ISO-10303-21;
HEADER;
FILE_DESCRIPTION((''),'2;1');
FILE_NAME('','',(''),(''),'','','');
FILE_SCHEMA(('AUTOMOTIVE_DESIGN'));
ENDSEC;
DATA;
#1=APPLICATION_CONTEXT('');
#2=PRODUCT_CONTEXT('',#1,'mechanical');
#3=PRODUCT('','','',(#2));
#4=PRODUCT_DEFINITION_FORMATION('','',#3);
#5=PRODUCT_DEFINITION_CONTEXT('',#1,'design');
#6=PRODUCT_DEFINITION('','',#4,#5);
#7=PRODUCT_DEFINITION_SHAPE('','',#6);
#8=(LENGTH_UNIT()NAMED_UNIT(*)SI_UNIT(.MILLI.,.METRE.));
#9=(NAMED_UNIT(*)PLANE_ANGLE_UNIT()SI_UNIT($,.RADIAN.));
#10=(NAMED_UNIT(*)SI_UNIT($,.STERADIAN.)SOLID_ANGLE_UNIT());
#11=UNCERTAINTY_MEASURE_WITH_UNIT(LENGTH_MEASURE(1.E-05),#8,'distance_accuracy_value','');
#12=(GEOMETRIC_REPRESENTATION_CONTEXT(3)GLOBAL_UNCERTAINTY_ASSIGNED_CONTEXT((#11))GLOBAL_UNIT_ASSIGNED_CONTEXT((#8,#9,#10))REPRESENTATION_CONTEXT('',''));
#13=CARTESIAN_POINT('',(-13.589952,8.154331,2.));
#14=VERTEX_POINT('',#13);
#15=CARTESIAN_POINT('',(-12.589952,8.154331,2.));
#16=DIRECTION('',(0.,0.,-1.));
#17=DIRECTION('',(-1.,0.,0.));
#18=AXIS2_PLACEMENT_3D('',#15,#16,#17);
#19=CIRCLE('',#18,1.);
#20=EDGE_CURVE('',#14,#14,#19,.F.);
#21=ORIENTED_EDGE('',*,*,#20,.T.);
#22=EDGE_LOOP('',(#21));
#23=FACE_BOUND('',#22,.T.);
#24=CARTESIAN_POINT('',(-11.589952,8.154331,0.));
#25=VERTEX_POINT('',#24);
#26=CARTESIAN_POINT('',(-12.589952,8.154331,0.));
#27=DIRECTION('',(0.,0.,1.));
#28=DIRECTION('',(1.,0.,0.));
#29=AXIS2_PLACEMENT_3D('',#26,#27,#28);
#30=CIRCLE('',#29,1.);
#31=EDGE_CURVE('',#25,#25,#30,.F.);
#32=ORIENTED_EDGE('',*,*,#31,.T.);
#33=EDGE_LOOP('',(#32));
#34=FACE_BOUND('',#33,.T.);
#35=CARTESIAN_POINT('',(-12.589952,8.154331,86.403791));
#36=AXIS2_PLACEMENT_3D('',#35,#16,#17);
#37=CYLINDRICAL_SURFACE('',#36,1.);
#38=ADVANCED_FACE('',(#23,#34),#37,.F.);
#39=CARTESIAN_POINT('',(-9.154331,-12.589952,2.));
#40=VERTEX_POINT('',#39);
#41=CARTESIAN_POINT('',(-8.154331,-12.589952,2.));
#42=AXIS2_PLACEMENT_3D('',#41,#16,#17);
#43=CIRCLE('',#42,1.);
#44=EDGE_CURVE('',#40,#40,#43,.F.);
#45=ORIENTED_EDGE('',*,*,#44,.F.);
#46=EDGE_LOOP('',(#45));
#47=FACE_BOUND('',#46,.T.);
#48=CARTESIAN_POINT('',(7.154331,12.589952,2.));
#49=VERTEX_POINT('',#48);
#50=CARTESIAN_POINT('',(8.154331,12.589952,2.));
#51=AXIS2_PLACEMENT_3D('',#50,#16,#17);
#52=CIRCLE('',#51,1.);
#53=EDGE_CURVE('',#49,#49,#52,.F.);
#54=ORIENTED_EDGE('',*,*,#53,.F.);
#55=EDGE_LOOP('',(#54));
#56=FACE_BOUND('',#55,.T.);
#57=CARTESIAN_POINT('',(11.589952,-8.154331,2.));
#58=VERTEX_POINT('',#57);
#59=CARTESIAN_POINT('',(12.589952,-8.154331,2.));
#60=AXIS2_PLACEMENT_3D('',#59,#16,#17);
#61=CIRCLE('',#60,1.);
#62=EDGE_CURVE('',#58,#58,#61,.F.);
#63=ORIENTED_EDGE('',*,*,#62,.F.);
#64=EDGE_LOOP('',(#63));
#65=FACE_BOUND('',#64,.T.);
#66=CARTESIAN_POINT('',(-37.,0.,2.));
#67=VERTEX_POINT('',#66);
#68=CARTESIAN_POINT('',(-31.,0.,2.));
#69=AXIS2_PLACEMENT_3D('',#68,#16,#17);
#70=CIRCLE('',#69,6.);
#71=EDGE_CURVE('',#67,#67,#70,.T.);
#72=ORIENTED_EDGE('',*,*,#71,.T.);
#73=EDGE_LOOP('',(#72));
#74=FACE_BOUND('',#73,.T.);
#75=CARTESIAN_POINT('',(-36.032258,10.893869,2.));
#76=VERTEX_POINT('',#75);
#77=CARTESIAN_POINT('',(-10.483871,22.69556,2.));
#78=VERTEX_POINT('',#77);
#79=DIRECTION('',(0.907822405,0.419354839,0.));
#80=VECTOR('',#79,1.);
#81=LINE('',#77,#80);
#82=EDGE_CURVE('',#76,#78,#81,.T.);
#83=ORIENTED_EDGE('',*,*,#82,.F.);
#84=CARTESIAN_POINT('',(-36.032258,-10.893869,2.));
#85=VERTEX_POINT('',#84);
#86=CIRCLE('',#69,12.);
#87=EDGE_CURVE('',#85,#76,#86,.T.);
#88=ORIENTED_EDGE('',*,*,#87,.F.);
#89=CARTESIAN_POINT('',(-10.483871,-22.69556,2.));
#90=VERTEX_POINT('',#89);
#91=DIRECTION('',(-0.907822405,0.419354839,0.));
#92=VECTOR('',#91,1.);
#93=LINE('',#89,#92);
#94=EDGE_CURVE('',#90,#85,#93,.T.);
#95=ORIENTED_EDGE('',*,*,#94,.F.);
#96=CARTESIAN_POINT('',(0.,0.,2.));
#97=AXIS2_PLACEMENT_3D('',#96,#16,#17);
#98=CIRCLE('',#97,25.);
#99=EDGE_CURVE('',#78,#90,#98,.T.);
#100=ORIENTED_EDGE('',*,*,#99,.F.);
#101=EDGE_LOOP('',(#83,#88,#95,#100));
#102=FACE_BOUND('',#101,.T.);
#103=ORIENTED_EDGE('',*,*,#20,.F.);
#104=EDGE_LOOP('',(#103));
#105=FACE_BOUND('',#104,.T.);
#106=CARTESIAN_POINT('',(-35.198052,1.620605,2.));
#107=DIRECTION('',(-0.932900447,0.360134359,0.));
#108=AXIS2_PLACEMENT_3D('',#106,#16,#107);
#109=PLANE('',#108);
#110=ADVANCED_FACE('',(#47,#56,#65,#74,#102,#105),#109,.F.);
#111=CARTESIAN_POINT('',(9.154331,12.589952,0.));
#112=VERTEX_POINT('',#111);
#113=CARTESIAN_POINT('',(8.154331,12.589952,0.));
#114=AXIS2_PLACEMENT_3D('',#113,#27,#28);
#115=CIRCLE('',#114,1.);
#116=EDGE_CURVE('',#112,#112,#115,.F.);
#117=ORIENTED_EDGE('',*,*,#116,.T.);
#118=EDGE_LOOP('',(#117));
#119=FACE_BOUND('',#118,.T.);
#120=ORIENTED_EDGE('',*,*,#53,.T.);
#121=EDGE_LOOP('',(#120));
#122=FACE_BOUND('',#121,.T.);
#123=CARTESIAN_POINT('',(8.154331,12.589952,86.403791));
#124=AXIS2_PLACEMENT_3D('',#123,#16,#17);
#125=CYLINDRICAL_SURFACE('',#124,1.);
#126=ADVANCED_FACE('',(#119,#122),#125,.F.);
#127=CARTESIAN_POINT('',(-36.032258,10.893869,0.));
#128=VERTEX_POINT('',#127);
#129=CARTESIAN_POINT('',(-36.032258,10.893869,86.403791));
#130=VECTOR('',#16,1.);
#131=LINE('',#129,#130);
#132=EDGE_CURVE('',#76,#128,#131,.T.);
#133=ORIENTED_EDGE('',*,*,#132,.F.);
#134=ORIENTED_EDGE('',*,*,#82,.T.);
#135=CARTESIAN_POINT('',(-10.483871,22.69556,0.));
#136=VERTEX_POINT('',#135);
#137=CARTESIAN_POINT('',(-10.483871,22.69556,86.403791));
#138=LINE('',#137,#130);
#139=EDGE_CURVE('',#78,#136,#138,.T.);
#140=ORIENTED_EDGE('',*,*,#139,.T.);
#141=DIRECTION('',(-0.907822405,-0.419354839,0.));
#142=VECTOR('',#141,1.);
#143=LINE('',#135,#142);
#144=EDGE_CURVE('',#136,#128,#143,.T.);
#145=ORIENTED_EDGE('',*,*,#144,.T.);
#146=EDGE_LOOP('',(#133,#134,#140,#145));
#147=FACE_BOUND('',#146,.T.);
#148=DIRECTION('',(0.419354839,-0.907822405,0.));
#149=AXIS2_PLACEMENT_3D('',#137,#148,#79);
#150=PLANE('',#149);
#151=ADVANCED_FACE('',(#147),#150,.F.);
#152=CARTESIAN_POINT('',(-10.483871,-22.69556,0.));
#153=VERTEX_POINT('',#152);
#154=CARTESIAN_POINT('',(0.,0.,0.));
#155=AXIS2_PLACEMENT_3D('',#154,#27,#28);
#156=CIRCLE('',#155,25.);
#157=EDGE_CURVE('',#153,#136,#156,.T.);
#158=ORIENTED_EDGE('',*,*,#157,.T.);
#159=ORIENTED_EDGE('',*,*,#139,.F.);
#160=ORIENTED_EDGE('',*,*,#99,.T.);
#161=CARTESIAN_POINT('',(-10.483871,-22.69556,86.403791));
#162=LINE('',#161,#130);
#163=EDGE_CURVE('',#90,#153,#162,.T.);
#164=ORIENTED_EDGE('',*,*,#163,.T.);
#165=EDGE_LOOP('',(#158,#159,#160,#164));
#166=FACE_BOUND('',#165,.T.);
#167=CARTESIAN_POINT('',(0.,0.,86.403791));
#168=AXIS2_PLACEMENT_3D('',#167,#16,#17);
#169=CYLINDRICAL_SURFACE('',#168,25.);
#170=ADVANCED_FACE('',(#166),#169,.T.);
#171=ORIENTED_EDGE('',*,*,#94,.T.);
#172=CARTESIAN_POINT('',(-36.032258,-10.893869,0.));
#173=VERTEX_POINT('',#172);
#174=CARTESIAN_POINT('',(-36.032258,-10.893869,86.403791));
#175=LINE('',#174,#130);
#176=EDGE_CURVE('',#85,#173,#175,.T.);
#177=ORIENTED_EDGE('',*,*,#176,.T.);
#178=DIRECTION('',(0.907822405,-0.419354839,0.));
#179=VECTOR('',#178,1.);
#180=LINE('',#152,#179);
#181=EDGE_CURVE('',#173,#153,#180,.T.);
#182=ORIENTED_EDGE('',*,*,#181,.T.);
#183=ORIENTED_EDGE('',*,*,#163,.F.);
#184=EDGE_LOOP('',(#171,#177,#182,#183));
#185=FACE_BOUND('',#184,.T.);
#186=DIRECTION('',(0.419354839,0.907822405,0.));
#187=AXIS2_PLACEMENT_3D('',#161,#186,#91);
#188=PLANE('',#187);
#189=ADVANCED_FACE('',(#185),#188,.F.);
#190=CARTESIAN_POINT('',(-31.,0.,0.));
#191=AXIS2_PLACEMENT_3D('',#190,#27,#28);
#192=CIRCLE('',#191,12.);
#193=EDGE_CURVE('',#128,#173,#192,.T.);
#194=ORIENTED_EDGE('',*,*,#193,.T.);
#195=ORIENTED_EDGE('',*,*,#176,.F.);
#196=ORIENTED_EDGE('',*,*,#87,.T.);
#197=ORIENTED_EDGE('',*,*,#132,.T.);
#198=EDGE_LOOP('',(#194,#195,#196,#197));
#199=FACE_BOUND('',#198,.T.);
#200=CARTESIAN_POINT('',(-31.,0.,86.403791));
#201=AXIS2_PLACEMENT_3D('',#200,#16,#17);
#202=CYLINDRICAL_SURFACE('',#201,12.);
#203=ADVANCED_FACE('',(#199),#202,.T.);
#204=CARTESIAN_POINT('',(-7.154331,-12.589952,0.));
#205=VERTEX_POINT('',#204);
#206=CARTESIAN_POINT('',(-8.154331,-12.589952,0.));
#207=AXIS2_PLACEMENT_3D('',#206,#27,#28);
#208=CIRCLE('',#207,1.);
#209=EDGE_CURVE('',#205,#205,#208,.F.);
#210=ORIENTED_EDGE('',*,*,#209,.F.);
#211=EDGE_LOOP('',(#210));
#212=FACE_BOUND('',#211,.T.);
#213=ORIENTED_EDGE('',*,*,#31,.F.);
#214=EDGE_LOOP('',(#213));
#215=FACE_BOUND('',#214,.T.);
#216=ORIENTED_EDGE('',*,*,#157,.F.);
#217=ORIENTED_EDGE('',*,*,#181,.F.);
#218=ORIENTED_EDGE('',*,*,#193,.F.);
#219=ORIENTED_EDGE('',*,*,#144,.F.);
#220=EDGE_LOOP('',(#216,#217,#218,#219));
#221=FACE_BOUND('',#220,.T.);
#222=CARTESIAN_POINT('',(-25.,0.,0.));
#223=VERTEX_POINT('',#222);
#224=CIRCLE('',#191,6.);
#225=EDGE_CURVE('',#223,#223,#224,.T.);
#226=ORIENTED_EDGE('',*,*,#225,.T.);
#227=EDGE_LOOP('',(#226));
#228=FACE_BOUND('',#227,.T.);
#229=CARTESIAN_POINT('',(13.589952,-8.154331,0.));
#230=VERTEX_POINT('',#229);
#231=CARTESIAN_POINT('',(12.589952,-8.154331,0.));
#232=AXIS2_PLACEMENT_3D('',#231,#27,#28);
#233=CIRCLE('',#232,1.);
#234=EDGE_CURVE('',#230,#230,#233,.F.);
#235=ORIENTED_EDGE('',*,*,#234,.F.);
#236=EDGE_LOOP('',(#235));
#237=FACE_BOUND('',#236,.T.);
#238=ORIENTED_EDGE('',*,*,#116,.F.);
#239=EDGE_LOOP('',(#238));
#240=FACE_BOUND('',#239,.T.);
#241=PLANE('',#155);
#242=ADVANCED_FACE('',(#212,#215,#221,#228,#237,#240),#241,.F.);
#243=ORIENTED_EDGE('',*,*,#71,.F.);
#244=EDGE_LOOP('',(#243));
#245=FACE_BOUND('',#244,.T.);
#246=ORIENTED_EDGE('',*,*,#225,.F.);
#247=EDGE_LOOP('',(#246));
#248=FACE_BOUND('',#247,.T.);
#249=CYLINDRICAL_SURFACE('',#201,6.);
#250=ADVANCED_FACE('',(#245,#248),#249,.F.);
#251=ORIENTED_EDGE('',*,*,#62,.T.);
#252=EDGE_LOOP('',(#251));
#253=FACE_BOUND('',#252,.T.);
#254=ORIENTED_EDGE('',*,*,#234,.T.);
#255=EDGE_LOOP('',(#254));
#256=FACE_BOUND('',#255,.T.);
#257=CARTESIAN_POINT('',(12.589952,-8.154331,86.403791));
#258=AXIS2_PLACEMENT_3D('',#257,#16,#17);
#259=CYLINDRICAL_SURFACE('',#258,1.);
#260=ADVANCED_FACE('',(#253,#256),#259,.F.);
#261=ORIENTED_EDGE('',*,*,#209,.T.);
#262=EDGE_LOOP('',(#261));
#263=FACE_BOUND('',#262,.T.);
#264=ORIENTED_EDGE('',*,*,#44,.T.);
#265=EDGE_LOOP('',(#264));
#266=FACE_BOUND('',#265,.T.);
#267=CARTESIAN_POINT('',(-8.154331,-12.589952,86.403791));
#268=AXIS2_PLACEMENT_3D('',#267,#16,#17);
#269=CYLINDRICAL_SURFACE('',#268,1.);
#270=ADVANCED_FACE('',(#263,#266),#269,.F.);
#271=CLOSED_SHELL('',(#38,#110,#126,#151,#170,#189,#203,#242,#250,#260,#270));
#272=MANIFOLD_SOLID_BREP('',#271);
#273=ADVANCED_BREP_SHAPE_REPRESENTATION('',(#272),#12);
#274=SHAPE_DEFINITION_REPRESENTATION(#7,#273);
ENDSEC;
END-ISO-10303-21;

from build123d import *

# Parameters (mm, degrees)
SKETCH1_R           = 1
SKETCH1_R_2         = 7.5
BOSS_EXTRUDE1_DEPTH = 2


with BuildPart() as part:
    # Sketch1 → Boss-Extrude1 (new body)
    # profile 1 of 2: a face of its own
    with BuildSketch(Plane.XY):
        with BuildLine():
            ThreePointArc((-36.032258065, 10.893868862), (-43, 0), (-36.032258065, -10.893868862))
            Line((-36.032258065, -10.893868862), (-10.483870968, -22.695560128))
            ThreePointArc((-10.483870968, -22.695560128), (8.421796013, -23.538762752), (22.501635968, -10.893868862))
            ThreePointArc((22.501635968, -10.893868862), (25, 0), (22.501635968, 10.893868862))
            ThreePointArc((22.501635968, 10.893868862), (8.421796013, 23.538762752), (-10.483870968, 22.695560128))
            Line((-10.483870968, 22.695560128), (-36.032258065, 10.893868862))
        make_face()
        with Locations(Location((8.154330676, 12.589951995, 0), (0, 0, 180))):
            Circle(SKETCH1_R, mode=Mode.SUBTRACT)
        with Locations(Location((-8.154330676, -12.589951995, 0), (0, 0, 180))):
            Circle(SKETCH1_R, mode=Mode.SUBTRACT)
        with Locations((-31, 0)):
            Circle(SKETCH1_R_2, mode=Mode.SUBTRACT)
        with Locations(Location((12.589951995, -8.154330676, 0), (0, 0, 180))):
            Circle(SKETCH1_R, mode=Mode.SUBTRACT)
        with Locations(Location((-12.589951995, 8.154330676, 0), (0, 0, 180))):
            Circle(SKETCH1_R, mode=Mode.SUBTRACT)
    # profile 2 of 2: a face of its own
    with BuildSketch(Plane.XY):
        with Locations((-31, 0)):
            Circle(SKETCH1_R_2)
        with BuildLine():
            ThreePointArc((-36.597402681, 2.160806151), (-28.839193849, 5.597402681), (-25.402597319, -2.160806151))
            ThreePointArc((-25.402597319, -2.160806151), (-33.160806151, -5.597402681), (-36.597402681, 2.160806151))
        make_face(mode=Mode.SUBTRACT)
    extrude(amount=BOSS_EXTRUDE1_DEPTH)


solid = part.part
